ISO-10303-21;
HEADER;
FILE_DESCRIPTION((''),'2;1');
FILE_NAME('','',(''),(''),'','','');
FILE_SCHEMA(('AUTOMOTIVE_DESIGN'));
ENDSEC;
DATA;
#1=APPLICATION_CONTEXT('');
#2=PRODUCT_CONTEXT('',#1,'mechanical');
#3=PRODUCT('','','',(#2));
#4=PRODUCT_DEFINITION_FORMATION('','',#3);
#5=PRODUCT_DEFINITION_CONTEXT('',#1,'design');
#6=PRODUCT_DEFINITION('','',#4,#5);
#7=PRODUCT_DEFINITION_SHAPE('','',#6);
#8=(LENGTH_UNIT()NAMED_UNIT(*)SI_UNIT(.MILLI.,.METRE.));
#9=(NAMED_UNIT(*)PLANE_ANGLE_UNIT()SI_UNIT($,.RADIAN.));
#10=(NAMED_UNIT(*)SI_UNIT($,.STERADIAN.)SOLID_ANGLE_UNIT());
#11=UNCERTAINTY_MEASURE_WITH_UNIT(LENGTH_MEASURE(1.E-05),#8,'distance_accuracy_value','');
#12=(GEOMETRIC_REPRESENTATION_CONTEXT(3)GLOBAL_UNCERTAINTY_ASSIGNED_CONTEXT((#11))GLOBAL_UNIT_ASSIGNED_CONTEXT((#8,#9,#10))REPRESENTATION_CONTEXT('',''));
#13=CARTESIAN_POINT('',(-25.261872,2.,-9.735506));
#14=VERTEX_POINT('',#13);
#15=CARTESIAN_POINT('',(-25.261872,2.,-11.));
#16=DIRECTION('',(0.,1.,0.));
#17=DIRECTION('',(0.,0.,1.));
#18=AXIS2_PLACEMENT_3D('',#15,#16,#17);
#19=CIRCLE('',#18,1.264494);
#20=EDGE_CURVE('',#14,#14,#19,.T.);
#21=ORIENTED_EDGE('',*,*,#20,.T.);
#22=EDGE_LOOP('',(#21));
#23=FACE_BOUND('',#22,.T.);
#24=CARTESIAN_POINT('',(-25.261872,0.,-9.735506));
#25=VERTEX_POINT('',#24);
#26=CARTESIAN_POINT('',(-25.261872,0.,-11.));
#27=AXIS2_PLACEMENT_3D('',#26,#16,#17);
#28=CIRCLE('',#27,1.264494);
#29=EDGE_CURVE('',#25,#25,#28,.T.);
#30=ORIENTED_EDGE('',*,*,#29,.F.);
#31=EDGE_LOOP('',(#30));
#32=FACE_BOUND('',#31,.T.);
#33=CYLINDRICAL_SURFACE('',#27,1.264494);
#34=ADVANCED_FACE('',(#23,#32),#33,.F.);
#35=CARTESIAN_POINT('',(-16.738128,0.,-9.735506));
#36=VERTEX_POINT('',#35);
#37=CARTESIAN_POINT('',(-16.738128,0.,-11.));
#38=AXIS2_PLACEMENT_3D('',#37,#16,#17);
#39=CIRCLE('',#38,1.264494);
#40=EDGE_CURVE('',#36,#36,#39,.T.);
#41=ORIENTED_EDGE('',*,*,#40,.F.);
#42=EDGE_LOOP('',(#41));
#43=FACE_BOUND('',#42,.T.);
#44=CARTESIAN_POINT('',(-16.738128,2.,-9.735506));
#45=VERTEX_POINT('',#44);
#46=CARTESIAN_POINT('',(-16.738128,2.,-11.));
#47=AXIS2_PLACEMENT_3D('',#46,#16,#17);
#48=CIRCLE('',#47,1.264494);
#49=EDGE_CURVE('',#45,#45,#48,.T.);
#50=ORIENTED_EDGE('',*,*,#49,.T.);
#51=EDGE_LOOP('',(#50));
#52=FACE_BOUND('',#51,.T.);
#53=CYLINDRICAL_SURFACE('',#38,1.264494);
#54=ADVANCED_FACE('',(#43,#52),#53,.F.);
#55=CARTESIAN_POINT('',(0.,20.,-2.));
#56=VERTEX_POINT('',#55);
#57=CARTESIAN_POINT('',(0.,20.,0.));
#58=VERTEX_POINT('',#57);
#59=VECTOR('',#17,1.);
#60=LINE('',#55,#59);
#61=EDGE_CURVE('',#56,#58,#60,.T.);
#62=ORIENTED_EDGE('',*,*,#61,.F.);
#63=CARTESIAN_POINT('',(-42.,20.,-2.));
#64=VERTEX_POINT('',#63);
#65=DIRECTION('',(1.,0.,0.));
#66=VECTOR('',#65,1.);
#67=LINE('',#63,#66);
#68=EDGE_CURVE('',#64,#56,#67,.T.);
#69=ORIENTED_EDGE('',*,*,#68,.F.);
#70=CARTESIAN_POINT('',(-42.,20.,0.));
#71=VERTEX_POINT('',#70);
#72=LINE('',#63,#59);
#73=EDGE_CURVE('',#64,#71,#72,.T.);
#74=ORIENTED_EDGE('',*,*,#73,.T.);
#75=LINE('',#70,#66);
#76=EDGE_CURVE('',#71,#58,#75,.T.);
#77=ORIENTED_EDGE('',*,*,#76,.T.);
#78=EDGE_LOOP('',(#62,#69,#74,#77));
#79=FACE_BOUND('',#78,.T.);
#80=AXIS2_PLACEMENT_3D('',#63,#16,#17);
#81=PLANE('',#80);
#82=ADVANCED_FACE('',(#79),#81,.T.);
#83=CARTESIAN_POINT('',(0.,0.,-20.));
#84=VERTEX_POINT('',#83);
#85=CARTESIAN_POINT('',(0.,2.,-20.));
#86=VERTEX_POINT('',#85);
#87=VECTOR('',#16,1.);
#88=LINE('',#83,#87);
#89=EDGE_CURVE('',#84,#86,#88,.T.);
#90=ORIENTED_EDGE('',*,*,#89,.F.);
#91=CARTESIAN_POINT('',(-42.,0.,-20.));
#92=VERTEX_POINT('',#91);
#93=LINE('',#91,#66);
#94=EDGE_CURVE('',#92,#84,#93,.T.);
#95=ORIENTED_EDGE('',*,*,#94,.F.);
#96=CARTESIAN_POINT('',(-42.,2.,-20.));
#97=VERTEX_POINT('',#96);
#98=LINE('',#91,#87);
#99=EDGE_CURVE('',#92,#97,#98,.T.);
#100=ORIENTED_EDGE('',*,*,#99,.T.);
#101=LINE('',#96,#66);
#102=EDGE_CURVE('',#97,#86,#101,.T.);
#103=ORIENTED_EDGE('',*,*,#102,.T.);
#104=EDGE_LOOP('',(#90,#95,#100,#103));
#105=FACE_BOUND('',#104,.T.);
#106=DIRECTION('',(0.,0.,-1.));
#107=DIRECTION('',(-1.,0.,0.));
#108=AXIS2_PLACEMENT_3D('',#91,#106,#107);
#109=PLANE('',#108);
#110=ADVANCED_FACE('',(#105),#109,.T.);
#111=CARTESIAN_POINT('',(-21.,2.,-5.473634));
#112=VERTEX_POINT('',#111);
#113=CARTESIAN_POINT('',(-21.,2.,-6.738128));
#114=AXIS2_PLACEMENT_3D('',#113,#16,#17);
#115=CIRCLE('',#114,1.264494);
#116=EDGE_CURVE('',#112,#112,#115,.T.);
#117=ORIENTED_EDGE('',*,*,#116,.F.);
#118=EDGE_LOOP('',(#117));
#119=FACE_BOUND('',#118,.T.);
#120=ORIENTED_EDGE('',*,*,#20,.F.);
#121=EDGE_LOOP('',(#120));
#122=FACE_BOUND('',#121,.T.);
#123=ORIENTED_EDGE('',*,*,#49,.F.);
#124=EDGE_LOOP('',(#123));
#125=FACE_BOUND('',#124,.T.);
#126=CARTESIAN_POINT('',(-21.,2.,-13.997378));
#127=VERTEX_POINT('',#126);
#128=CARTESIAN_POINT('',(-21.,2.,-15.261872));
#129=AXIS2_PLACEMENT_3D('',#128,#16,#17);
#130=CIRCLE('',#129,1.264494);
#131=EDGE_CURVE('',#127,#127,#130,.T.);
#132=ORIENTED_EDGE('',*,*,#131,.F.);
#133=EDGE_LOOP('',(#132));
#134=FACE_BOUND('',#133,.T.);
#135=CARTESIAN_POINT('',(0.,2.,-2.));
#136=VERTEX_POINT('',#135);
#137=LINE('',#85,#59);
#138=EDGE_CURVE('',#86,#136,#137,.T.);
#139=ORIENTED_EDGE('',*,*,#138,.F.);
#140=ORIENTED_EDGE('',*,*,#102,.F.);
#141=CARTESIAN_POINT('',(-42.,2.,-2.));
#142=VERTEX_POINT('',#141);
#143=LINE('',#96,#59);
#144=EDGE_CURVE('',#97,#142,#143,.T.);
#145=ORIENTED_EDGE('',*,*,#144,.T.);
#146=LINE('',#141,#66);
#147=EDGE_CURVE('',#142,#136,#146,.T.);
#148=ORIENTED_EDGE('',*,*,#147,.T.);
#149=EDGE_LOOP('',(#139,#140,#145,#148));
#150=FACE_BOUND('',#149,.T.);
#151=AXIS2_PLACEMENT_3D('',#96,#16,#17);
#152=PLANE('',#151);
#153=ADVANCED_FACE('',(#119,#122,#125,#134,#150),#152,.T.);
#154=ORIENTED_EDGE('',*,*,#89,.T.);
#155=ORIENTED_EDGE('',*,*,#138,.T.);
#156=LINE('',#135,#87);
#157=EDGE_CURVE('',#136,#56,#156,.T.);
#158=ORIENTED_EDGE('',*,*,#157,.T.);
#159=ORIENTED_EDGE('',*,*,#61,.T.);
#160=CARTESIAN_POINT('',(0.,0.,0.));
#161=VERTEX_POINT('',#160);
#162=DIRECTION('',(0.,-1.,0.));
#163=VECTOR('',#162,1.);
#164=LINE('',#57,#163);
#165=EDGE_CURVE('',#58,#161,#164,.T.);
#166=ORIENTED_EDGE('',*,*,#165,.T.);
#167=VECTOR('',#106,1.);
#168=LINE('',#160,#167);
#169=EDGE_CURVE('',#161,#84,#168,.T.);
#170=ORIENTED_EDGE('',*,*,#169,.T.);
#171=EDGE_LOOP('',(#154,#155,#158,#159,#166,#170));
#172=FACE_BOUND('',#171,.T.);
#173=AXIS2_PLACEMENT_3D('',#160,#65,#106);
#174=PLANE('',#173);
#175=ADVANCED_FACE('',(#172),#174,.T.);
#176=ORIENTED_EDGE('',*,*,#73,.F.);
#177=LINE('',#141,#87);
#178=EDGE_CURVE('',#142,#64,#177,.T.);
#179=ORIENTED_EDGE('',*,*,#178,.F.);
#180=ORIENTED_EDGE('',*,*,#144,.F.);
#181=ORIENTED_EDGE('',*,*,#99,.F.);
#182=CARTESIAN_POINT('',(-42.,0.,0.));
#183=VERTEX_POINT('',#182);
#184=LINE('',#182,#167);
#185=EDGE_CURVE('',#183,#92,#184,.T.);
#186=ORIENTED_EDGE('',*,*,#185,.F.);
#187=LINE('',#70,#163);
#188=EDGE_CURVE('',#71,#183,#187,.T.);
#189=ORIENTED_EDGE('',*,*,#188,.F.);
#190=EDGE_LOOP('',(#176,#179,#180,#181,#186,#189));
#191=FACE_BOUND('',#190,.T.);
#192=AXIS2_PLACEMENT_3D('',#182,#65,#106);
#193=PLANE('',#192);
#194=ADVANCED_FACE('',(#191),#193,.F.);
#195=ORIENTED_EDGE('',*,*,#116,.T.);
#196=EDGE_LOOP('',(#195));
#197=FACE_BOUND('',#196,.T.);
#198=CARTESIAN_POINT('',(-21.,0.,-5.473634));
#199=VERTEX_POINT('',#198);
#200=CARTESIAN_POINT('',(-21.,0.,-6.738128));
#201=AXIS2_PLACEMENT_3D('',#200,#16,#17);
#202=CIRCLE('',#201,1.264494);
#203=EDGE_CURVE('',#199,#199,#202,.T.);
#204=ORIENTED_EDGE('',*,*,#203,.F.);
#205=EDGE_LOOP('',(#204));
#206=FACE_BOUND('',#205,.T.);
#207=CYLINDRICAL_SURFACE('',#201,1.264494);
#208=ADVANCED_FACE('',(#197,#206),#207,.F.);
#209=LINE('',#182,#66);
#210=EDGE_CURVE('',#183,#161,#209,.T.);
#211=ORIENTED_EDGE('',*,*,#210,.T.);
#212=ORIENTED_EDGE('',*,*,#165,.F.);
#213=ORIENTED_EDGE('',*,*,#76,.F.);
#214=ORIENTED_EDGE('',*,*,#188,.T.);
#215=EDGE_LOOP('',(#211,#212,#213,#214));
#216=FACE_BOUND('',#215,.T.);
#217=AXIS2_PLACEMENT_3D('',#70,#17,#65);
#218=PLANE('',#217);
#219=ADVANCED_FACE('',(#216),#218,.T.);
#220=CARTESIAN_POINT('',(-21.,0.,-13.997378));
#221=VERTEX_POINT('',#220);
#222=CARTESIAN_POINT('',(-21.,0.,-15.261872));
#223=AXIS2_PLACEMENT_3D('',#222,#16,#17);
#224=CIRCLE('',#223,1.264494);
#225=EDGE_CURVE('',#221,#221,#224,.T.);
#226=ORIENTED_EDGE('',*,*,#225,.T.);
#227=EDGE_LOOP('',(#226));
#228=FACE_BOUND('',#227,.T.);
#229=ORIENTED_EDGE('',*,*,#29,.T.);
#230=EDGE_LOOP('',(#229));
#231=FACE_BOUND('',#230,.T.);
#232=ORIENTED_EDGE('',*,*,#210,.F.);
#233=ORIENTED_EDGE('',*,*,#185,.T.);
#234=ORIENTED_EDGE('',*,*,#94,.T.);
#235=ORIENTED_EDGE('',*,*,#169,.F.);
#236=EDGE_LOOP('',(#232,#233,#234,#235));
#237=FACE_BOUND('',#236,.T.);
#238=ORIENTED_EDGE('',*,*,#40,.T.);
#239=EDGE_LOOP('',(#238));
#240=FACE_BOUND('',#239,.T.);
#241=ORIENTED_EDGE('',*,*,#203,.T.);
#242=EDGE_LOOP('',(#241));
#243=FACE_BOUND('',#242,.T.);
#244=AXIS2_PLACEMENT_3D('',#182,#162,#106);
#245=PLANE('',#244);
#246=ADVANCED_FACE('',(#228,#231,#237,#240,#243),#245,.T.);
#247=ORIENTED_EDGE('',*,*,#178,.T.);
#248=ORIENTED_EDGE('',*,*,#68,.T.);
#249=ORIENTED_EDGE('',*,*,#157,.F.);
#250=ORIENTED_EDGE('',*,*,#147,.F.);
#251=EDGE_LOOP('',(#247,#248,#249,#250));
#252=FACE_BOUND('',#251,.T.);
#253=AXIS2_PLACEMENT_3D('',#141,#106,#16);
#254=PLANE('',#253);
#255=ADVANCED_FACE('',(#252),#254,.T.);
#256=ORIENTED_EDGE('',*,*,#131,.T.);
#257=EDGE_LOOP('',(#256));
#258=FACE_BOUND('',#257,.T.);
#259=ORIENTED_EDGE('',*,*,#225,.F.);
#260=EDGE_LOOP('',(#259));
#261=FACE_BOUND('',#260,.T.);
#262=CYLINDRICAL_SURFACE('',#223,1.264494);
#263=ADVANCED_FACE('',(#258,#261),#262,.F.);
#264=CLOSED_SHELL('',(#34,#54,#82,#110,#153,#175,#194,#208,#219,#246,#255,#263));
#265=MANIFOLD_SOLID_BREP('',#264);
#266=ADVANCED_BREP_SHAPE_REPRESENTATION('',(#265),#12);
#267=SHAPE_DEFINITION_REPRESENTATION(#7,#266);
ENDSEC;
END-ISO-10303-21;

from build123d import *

# Parameters (mm, degrees)
BOSS_EXTRUDE1_DEPTH = 42
SKETCH2_R           = 1.264493958
CUT_EXTRUDE1_DEPTH  = 50.879855653


with BuildPart() as part:
    # Sketch1 → Boss-Extrude1 (new body)
    with BuildSketch(Plane(origin=(0, 0, 0), x_dir=(0, 0, -1), z_dir=(1, 0, 0))):
        Polygon((0, 20), (0, 0), (20, 0), (20, 2), (2, 2), (2, 20), align=None)
    extrude(amount=-BOSS_EXTRUDE1_DEPTH)

    # Sketch2 → Cut-Extrude1 (cut, through all)
    with BuildSketch(Plane(origin=(0, 2, 0), x_dir=(1, 0, 0), z_dir=(0, 1, 0))):
        with Locations(Location((-21, 15.261871586, 0), (0, 0, 270))):
            Circle(SKETCH2_R)
        with Locations(Location((-16.738128414, 11, 0), (0, 0, 270))):
            Circle(SKETCH2_R)
        with Locations(Location((-21, 6.738128414, 0), (0, 0, 270))):
            Circle(SKETCH2_R)
        with Locations(Location((-25.261871586, 11, 0), (0, 0, 270))):
            Circle(SKETCH2_R)
    extrude(amount=-CUT_EXTRUDE1_DEPTH, mode=Mode.SUBTRACT)


solid = part.part
